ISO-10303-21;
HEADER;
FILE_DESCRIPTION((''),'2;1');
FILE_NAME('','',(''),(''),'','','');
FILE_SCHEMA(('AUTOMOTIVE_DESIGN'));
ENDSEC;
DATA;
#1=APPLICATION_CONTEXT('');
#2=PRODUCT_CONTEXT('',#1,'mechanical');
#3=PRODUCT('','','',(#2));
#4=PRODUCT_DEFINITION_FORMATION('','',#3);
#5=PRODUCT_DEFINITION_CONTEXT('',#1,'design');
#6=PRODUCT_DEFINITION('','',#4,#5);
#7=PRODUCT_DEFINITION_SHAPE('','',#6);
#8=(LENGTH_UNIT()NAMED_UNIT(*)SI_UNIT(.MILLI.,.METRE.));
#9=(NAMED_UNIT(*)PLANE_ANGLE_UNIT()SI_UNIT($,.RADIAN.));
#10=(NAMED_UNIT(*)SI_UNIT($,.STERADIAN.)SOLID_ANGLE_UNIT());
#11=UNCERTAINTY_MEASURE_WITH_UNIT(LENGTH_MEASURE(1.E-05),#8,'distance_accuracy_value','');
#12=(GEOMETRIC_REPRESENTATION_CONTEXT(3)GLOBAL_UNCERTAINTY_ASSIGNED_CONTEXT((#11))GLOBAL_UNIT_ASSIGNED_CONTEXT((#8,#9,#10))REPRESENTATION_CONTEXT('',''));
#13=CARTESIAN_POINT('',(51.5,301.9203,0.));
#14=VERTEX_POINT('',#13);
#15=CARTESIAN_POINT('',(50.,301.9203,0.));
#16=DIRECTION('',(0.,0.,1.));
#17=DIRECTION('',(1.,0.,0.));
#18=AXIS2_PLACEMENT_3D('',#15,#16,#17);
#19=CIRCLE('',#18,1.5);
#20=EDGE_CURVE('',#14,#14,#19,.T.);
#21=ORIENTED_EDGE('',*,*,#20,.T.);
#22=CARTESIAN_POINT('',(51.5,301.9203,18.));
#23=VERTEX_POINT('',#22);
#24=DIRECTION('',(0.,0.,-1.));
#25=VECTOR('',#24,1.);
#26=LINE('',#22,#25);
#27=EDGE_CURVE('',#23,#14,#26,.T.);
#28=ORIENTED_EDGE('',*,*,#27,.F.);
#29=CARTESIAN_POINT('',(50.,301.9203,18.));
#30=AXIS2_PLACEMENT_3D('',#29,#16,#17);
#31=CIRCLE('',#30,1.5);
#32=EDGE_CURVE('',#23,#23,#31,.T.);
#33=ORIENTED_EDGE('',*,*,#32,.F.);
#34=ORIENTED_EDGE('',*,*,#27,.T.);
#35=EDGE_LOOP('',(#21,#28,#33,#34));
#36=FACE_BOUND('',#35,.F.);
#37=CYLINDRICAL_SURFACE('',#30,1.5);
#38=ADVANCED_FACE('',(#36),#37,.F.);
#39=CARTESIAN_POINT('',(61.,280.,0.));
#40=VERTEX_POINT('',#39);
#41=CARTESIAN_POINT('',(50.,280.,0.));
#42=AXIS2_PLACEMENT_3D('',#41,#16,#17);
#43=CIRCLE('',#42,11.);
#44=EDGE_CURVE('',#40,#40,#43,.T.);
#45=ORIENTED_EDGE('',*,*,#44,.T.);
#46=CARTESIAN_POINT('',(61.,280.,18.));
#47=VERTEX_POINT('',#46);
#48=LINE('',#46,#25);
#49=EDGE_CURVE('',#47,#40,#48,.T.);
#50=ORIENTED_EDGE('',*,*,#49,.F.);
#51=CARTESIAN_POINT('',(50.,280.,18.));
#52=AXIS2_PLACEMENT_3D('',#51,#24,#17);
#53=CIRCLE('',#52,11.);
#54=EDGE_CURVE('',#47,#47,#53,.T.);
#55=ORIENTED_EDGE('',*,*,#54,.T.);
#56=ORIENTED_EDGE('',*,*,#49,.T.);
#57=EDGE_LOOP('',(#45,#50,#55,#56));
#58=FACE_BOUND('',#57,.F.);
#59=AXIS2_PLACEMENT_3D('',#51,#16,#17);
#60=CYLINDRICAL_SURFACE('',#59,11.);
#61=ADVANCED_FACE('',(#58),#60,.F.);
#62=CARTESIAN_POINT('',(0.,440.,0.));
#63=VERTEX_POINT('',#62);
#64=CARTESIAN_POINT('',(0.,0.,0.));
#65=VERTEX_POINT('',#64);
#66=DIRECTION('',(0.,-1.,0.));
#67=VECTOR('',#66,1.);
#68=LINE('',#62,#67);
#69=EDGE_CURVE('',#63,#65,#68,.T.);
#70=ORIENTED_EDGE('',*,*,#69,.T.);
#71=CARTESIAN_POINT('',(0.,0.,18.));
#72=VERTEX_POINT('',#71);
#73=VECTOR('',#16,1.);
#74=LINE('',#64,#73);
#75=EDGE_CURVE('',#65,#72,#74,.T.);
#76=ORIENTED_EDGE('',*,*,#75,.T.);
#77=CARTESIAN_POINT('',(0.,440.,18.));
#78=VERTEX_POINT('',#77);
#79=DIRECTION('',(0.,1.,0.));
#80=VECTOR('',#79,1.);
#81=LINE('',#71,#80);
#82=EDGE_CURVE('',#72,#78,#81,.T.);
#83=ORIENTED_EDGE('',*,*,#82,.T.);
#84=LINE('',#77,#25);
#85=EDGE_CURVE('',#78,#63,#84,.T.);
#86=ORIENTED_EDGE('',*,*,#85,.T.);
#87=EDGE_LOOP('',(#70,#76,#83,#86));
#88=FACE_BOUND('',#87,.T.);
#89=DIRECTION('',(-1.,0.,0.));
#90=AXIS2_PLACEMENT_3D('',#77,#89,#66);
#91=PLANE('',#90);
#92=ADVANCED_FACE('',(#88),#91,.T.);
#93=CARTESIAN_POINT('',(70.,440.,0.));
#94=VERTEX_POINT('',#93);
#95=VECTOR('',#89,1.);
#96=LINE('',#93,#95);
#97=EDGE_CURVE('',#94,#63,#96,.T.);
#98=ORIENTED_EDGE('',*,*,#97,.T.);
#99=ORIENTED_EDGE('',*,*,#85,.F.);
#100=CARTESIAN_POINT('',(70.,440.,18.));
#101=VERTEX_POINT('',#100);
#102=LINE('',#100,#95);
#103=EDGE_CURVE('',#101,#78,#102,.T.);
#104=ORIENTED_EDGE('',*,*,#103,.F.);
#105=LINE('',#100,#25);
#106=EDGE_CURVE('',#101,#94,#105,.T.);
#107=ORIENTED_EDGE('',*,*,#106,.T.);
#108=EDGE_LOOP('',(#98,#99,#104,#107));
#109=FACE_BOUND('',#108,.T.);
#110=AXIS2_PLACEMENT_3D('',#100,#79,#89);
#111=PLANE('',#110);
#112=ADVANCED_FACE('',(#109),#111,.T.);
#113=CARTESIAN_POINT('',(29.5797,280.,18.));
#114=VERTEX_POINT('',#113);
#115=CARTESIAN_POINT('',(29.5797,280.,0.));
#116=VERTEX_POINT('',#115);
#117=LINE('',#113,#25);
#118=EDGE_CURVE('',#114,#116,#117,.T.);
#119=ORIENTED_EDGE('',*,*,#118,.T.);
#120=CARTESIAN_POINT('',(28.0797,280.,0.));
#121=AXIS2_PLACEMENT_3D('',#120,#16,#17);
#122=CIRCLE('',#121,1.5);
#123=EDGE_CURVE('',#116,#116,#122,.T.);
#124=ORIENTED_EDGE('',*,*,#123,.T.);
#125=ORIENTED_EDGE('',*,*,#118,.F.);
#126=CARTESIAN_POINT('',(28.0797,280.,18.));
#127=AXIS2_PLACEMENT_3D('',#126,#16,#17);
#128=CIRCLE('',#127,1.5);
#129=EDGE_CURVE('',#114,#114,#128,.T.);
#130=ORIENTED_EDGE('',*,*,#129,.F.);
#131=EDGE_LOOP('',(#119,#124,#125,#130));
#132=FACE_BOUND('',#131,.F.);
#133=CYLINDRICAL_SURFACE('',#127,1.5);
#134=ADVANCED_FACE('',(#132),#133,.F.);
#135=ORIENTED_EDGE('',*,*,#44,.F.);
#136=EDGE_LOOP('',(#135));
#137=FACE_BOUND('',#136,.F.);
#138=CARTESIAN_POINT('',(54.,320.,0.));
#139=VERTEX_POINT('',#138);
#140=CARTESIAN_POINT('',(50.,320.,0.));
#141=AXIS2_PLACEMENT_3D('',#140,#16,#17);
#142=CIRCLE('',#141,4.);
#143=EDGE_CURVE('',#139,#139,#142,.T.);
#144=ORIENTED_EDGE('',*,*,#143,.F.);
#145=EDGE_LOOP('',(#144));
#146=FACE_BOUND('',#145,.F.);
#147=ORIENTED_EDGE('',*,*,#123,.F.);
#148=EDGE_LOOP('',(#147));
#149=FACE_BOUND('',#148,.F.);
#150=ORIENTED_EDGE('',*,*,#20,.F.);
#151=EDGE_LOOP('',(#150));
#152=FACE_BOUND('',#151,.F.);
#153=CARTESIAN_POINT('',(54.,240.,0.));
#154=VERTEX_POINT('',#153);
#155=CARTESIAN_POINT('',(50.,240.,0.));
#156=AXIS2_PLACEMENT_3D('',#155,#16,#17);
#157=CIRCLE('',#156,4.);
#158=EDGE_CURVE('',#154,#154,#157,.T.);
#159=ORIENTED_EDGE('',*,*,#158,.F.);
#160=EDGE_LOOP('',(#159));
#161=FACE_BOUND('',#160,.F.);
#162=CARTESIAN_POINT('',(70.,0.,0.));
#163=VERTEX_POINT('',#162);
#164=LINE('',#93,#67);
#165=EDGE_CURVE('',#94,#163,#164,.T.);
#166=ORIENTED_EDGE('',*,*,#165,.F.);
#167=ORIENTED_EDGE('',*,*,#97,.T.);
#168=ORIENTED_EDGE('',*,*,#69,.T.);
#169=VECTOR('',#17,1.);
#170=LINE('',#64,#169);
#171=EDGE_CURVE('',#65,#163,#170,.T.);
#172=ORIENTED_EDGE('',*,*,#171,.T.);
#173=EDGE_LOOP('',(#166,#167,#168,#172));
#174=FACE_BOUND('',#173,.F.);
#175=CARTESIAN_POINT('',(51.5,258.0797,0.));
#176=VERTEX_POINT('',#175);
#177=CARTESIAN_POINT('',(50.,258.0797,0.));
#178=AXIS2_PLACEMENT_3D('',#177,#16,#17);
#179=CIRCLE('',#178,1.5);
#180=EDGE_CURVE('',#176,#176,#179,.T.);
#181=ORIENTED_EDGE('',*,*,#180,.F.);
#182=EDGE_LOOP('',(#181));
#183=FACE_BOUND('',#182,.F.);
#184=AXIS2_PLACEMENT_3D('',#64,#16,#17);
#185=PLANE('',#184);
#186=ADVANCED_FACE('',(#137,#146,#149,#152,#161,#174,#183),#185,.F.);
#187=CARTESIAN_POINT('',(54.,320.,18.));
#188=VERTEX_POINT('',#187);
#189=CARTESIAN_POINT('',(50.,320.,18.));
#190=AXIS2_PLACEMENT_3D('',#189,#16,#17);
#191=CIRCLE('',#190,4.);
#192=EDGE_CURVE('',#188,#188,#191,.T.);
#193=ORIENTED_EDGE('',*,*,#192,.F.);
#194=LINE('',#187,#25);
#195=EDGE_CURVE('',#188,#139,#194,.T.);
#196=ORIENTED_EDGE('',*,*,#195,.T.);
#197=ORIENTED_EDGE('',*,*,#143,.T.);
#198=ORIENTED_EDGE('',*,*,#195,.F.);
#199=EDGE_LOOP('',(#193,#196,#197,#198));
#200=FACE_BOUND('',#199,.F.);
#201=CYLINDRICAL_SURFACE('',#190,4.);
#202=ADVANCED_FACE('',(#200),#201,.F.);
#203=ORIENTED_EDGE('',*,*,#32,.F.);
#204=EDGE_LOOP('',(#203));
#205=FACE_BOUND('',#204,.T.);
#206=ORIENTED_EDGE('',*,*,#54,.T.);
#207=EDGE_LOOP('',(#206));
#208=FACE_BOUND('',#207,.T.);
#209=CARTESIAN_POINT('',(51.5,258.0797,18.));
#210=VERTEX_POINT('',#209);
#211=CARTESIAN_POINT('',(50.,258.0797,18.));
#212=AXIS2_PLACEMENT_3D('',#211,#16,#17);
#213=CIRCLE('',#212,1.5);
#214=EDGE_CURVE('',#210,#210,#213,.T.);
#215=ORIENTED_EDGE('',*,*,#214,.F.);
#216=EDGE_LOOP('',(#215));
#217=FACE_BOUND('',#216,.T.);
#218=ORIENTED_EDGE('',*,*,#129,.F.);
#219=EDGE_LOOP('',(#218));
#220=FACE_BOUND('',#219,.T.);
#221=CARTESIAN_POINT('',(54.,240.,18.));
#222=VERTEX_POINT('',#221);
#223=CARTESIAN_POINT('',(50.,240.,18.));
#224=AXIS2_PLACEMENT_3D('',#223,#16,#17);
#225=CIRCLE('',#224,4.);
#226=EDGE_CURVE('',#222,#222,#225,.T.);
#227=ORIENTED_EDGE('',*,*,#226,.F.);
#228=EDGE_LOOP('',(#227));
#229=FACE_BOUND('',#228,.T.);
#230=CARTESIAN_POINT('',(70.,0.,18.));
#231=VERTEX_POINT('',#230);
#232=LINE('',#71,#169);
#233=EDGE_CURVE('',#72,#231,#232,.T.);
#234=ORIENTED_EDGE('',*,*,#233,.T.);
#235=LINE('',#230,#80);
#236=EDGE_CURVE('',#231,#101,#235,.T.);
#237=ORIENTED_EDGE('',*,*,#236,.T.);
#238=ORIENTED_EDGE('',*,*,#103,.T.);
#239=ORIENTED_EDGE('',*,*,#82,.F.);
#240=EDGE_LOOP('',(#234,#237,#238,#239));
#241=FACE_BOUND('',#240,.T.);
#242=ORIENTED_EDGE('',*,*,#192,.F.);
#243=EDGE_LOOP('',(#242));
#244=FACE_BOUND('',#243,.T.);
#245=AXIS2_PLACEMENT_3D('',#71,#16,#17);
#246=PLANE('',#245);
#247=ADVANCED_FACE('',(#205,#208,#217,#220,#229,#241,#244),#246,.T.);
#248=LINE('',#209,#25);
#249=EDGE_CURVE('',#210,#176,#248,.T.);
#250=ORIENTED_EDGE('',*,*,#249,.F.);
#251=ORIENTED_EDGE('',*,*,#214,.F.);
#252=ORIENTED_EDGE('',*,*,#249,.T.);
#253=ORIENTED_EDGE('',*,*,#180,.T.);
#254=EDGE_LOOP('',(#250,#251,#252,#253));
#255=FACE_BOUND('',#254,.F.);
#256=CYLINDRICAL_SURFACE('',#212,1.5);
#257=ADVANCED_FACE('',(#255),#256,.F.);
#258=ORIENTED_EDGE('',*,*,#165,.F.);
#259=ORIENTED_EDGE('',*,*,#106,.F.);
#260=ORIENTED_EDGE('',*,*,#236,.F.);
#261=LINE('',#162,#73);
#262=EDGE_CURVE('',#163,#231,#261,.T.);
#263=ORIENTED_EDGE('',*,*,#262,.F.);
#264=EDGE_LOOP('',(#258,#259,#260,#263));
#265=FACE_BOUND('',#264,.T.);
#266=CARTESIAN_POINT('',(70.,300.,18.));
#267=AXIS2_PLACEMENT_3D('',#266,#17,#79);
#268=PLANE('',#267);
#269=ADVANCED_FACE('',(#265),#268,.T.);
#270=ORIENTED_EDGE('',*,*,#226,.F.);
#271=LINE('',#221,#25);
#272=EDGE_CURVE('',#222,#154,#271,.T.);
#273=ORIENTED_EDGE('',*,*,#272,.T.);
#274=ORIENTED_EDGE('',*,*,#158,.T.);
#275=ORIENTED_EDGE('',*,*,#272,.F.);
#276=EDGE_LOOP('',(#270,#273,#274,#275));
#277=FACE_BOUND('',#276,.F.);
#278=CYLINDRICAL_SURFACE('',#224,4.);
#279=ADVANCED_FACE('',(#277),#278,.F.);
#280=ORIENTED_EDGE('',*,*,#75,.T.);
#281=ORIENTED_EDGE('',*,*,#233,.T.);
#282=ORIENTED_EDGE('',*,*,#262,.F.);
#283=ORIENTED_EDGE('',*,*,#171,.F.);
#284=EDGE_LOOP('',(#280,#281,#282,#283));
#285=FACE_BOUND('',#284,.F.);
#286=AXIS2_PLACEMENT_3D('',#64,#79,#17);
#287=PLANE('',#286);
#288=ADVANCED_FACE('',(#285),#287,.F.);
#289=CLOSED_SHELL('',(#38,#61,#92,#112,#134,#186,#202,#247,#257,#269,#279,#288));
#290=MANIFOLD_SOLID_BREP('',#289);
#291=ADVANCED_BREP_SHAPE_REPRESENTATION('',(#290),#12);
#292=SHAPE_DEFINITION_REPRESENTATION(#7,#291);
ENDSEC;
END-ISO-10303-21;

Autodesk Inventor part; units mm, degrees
ref_plane "YZ Plane" through (0, 0, 0) normal (1, 0, 0) x (0, 1, 0)
ref_plane "XZ Plane" through (0, 0, 0) normal (0, 1, 0) x (-1, 0, 0)
ref_plane "XY Plane" through (0, 0, 0) normal (0, 0, 1) x (1, 0, 0)
sketch "Boceto1" plane through (0, 0, 0) normal (0, 0, 1) x (1, 0, 0)
  line L0 (0, 0) -> (70, 0)
  line L1 (70, 0) -> (70, 300)
  line L2 (70, 300) -> (0, 300)
  line L3 (0, 300) -> (0, 0)
  dimension "d0" = 300
  dimension "d1" = 70
extrude "Extrusión1" add sketch "Boceto1" along normal blind 18
sketch "Boceto2" plane through (0, 0, 18) normal (0, 0, 1) x (1, 0, 0)
  circle A0 centre (50, 280) radius 11
  line L0 (70, 300) -> (0, 300) projected
  line L1 (70, 0) -> (70, 300) projected
  line L2 (50, 280) -> (50, 258.0797) construction
  circle A1 centre (50, 258.0797) radius 1.5
  line L3 (50, 280) -> (28.0797, 280) construction
  circle A2 centre (28.0797, 280) radius 1.5
  line L4 (50, 280) -> (30.0411, 260.0411)
  point P0 (0, 0)
  dimension "d4" = 22
  dimension "d6" = 20
  dimension "d7" = 3
  dimension "d10" = 3
  dimension "d11" = 20
  dimension "d29" = 45
  dimension "d30" = 15.5
  dimension "d31" = 15.5
extrude "Extrusión2" cut sketch "Boceto2" against normal blind 18
sketch "Boceto3" plane through (0, 0, 18) normal (0, 0, 1) x (1, 0, 0)
  line L0 (70, 300) -> (0, 300) projected
  line L1 (0, 300) -> (70, 300)
  line L2 (70, 300) -> (70, 440)
  line L3 (70, 440) -> (0, 440)
  line L4 (0, 440) -> (0, 300)
  circle A0 centre (50, 258.0797) radius 1.5 projected
  circle A1 centre (50, 280) radius 11 projected
  line L5 (50, 258.0797) -> (50, 280) construction
  circle A2 centre (28.0797, 280) radius 1.5 projected
  line L6 (50, 280) -> (28.0797, 280) construction
  point P0 (0, 0)
  dimension "d14" = 70
  dimension "d15" = 140
extrude "Extrusión3" add sketch "Boceto3" against normal up to surface (18 mm away) contours L0 L4 L3 L2
sketch "Boceto4" plane through (0, 0, 18) normal (0, 0, 1) x (1, 0, 0)
  circle A0 centre (50, 258.0797) radius 1.5 projected
  line L0 (50, 258.0797) -> (50, 301.9203) construction
  circle A1 centre (28.0797, 280) radius 1.5 projected
  line L1 (28.0797, 280) -> (50, 280) construction
  circle A2 centre (50, 301.9203) radius 1.5
  line L2 (50, 280) -> (31.7455, 298.2545)
  point P0 (0, 0)
  dimension "d20" = 3
  dimension "d32" = 45
  dimension "d34" = 15.5
extrude "Extrusión4" cut sketch "Boceto4" against normal blind 18 contours A2
sketch "Boceto5" plane through (0, 0, 18) normal (0, 0, 1) x (1, 0, 0)
  circle A0 centre (50, 240) radius 4
  circle A1 centre (50, 280) radius 11 projected
  circle A2 centre (50, 280) radius 11 projected
  line L0 (50, 280) -> (50, 193.7834) construction
  circle A3 centre (50, 320) radius 4
  line L1 (50, 320) -> (50, 280) construction
  point P0 (0, 0)
  dimension "d23" = 8
  dimension "d24" = 40
  dimension "d25" = 8
  dimension "d26" = 40
extrude "Extrusión5" cut sketch "Boceto5" against normal blind 18 contours A0 | A3
properties part number "010" material "CFRP"
